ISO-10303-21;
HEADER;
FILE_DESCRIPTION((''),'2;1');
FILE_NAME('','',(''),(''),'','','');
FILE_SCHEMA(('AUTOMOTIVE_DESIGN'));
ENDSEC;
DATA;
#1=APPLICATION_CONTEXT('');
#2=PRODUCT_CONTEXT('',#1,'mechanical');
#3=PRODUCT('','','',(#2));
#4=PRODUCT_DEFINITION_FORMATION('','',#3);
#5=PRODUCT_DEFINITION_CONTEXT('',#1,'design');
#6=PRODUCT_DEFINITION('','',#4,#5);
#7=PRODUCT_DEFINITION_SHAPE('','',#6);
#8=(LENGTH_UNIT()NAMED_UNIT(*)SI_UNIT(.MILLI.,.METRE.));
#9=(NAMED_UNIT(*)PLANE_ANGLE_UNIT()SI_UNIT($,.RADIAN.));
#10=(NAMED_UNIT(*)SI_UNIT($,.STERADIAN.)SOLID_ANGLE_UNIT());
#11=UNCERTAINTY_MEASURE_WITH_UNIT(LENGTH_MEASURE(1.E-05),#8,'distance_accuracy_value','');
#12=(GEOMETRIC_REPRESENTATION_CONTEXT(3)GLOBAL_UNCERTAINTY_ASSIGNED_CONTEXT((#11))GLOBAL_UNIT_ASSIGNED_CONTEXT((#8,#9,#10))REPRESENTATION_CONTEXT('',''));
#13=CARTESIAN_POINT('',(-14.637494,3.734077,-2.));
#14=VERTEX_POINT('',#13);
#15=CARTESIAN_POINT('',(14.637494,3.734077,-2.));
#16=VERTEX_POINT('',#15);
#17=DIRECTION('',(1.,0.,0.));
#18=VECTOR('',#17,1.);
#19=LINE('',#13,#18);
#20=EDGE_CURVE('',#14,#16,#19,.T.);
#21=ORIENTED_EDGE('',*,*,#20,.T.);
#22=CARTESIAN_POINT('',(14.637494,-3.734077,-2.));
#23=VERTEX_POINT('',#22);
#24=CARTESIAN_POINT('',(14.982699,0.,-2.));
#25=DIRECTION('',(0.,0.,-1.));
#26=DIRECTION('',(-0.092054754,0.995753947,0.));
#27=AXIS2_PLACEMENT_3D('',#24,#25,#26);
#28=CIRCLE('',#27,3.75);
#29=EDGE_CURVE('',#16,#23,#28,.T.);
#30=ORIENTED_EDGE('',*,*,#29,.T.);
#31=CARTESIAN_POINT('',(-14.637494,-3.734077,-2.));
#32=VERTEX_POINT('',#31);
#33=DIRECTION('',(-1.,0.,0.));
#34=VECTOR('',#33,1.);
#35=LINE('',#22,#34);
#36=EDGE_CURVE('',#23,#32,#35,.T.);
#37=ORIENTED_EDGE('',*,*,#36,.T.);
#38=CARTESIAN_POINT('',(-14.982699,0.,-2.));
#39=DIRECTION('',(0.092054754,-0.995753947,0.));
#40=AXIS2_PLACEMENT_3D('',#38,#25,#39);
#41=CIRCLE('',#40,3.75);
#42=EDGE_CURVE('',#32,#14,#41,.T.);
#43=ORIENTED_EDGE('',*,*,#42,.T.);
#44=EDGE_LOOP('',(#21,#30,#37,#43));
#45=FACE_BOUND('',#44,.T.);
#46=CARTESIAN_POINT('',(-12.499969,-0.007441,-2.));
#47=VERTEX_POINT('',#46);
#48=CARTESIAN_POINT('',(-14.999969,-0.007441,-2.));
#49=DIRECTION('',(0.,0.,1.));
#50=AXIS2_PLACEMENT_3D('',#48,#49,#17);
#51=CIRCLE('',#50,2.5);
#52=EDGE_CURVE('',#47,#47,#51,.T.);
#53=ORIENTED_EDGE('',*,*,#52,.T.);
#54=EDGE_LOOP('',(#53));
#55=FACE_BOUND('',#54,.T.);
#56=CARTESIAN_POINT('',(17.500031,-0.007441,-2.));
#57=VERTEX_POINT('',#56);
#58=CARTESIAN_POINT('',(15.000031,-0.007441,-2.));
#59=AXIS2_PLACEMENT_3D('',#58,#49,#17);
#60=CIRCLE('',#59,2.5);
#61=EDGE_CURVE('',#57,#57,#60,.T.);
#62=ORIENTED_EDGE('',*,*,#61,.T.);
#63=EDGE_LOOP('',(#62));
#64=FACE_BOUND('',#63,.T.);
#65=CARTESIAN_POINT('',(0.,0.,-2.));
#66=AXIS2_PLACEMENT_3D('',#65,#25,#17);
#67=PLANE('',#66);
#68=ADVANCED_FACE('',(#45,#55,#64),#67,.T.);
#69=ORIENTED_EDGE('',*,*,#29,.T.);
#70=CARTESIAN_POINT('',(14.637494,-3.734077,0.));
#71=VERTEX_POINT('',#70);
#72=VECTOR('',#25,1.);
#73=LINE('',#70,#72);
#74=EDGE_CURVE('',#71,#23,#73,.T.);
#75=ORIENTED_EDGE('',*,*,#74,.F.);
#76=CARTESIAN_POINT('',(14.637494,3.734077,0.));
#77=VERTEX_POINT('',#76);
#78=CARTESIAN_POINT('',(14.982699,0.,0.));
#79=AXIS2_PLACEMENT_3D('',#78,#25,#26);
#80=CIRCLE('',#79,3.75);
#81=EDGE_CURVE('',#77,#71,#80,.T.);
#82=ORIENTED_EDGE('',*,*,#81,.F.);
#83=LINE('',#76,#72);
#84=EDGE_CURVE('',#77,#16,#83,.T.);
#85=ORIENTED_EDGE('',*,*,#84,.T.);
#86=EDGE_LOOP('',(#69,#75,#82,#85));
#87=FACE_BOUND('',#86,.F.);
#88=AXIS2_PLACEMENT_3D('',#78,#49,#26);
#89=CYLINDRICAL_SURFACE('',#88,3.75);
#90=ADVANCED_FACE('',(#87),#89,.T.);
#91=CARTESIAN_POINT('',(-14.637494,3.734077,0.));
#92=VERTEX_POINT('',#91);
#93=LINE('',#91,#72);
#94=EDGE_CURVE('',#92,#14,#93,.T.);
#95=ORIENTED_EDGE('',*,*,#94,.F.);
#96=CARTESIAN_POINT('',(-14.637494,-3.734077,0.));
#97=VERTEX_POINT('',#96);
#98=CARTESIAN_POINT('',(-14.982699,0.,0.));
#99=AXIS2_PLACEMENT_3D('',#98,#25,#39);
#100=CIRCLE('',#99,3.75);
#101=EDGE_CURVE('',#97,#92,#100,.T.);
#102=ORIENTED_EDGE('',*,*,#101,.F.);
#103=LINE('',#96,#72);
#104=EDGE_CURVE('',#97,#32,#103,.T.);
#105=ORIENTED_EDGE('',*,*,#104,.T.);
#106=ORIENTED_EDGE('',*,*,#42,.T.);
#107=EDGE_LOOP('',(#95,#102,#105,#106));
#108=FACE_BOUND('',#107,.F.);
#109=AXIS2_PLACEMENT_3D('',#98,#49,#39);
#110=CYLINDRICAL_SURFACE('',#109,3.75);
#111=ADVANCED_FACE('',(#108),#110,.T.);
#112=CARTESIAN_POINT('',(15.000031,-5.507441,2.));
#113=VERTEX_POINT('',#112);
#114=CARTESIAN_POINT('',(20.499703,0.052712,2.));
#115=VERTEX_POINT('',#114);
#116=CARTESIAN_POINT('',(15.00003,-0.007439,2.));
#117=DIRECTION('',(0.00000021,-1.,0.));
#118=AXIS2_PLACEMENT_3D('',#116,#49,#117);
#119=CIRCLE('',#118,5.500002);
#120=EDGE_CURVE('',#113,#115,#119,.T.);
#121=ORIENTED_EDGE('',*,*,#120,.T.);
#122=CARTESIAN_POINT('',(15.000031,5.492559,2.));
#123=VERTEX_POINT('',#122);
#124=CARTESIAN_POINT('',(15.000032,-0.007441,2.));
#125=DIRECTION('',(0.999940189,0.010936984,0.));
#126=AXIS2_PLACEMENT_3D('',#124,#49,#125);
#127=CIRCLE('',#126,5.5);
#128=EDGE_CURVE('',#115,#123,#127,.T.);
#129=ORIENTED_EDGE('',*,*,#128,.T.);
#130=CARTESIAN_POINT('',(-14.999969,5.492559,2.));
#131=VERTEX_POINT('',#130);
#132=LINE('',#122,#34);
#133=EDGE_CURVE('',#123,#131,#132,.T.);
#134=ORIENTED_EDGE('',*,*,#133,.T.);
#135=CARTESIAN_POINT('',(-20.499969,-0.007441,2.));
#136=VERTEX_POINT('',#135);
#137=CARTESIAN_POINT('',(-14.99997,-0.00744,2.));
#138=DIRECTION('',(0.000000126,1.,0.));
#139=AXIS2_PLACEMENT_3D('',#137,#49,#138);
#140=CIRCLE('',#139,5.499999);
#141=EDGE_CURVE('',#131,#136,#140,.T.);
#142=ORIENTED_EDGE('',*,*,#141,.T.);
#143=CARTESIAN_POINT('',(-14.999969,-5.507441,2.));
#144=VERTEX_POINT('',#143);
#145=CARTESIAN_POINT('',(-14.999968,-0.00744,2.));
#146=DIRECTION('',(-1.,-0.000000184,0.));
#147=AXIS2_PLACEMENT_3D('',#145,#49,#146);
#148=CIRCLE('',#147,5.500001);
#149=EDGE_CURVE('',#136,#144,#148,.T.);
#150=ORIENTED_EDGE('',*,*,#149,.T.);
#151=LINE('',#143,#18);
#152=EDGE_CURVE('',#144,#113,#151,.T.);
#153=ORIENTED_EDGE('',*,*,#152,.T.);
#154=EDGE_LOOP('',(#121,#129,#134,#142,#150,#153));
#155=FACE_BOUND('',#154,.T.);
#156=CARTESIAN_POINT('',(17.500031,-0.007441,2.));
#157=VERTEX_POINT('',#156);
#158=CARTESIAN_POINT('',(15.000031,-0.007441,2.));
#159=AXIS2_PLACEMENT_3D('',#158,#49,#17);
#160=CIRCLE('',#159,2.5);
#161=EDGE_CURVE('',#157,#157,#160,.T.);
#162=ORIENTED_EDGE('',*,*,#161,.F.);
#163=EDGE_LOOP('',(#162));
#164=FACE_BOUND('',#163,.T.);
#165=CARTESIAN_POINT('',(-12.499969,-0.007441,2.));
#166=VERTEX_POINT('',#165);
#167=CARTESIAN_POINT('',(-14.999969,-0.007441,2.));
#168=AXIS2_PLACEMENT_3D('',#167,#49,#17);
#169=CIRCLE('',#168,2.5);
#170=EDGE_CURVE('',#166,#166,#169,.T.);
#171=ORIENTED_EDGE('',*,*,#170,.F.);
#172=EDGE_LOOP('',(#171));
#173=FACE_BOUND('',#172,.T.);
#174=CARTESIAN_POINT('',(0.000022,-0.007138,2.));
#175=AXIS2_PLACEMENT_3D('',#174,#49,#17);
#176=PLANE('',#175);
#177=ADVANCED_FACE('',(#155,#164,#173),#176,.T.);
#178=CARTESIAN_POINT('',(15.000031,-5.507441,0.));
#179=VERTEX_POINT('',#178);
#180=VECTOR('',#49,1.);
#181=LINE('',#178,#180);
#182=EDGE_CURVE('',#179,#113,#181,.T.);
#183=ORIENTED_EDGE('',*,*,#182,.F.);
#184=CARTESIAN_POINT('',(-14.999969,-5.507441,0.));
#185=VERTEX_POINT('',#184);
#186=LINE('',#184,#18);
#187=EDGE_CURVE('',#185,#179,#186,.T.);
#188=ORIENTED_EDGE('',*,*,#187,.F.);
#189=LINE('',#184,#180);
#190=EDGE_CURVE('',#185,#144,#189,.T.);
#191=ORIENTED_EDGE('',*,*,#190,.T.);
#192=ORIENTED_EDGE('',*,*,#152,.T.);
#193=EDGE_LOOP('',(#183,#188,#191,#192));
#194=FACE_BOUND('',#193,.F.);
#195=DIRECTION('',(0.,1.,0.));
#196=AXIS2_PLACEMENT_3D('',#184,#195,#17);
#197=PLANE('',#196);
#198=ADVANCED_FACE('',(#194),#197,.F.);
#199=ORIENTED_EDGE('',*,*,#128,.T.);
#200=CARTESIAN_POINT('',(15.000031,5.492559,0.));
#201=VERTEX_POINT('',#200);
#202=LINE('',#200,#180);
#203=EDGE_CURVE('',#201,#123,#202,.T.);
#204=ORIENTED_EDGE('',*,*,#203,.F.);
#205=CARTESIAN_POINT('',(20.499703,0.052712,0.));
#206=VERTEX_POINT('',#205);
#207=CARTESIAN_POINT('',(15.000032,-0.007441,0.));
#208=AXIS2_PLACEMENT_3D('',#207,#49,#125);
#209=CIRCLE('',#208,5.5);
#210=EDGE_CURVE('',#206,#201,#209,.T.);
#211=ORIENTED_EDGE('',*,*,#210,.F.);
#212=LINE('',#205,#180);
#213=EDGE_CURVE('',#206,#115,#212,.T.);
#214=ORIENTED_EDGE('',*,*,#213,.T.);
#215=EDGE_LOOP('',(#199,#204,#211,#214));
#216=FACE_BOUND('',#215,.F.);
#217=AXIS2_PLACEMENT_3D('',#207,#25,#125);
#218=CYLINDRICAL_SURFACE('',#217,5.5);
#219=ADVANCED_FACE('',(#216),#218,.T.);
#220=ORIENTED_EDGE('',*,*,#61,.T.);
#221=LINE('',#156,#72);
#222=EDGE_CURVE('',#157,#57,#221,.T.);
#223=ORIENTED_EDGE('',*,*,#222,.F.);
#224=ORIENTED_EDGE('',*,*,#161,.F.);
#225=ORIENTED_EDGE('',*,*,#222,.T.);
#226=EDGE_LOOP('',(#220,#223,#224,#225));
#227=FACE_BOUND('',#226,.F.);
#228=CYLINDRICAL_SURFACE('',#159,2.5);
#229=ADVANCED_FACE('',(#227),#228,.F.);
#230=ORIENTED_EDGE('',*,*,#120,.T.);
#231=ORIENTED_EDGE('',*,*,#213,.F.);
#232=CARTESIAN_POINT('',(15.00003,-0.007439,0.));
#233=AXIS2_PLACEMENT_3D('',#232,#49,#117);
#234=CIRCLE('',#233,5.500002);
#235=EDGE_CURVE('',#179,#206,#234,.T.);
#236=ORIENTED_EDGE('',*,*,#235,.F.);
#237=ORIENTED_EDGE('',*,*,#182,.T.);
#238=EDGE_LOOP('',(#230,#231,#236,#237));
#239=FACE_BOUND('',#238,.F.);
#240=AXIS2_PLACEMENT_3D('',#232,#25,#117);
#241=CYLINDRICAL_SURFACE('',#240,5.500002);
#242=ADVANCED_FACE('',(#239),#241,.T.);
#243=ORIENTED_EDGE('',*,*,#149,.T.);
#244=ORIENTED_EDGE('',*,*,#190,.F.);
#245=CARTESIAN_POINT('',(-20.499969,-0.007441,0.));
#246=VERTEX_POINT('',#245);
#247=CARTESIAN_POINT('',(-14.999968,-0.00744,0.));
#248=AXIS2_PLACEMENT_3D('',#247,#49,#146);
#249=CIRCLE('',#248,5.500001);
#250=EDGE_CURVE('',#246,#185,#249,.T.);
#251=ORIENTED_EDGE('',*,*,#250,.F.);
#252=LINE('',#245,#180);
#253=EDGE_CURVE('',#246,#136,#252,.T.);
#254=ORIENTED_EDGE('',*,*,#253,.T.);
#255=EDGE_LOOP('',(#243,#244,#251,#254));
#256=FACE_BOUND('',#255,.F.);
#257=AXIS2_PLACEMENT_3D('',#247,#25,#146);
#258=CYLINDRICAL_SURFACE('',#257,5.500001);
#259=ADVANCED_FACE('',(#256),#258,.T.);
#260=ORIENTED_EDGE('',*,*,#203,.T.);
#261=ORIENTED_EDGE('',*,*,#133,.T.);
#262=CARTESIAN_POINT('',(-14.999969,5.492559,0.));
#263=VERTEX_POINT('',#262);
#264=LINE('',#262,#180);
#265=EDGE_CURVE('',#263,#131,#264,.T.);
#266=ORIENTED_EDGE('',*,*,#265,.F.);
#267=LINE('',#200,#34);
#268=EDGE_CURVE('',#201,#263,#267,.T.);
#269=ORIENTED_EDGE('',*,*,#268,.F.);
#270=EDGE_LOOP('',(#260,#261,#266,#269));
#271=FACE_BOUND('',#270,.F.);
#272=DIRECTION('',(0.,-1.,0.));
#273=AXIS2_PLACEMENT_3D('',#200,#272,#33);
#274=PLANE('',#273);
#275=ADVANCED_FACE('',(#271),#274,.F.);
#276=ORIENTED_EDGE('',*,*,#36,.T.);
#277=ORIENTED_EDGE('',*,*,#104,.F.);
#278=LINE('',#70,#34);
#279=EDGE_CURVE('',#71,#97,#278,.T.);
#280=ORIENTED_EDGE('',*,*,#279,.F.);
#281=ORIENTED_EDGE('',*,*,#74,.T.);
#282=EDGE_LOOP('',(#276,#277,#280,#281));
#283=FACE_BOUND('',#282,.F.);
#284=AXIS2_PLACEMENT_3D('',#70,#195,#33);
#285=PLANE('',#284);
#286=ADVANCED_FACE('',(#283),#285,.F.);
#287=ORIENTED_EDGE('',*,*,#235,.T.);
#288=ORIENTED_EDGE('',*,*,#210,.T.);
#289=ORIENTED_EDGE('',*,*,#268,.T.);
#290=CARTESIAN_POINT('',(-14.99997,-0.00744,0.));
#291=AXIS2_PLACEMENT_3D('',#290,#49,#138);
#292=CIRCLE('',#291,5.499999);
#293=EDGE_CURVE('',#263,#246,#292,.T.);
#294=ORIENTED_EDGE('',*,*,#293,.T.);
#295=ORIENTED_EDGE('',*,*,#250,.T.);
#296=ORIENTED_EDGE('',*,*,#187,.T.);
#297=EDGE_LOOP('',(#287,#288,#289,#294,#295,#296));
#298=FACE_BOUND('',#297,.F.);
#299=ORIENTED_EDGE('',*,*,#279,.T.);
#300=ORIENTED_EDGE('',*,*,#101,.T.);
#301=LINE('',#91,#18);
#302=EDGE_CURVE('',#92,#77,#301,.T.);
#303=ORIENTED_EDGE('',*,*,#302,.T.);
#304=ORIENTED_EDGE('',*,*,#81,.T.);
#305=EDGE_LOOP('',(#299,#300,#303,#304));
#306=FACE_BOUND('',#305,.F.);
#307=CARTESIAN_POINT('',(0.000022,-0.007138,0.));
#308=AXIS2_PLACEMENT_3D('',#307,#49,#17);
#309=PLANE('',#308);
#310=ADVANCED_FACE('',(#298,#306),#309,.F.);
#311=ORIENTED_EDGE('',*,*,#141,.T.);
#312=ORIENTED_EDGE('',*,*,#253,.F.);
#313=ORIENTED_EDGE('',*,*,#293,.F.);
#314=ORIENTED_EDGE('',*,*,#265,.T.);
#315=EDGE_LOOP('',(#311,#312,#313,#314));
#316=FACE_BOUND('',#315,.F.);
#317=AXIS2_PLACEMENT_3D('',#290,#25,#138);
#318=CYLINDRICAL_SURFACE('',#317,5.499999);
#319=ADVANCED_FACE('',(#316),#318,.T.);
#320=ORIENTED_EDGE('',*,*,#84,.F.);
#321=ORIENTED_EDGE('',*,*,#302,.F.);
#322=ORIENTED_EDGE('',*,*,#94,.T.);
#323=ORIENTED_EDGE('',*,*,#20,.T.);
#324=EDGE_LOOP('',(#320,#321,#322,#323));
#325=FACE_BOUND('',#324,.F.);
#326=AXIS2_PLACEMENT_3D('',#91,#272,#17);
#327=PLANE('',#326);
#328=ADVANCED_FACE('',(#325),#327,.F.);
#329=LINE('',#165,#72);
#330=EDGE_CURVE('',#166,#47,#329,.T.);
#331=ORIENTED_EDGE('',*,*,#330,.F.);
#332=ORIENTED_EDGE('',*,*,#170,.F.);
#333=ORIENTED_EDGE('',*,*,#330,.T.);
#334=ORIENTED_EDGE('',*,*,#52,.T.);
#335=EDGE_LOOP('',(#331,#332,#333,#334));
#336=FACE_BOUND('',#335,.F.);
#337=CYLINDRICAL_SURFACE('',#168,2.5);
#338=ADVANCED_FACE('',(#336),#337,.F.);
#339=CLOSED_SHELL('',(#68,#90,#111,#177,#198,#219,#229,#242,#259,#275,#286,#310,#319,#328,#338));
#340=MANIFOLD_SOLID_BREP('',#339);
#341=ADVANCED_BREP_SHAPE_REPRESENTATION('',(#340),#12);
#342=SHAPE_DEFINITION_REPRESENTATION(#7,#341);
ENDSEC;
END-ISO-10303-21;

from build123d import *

# Parameters (mm, degrees)
F1_DEPTH = 2
F3_DEPTH = 2
F4_R     = 2.5
F5_DEPTH = 4.001


with BuildPart() as f1:
    # F0 (on Top) → F1 (new body)
    with BuildSketch(Plane.XY):
        with BuildLine():
            ThreePointArc((20.499703, 0.052712), (18.867793, 3.902856), (15.000031, 5.492559))
            Line((15.000031, 5.492559), (-14.999969, 5.492559))
            ThreePointArc((-14.999969, 5.492559), (-18.889056, 3.881647), (-20.499969, -0.007441))
            ThreePointArc((-20.499969, -0.007441), (-18.889056, -3.896528), (-14.999969, -5.507441))
            Line((-14.999969, -5.507441), (15.000031, -5.507441))
            ThreePointArc((15.000031, -5.507441), (18.910328, -3.875202), (20.499703, 0.052712))
        make_face()
    extrude(amount=F1_DEPTH)

    # F2 (on face) → F3 (join)
    with BuildSketch(Plane(origin=(0, 0, 0), x_dir=(1, 0, 0), z_dir=(0, 0, -1))):
        with BuildLine():
            Line((14.637494, 3.734077), (-14.637494, 3.734077))
            ThreePointArc((-14.637494, 3.734077), (-18.732699, 0), (-14.637494, -3.734077))
            Line((-14.637494, -3.734077), (14.637494, -3.734077))
            ThreePointArc((14.637494, -3.734077), (18.732699, 0), (14.637494, 3.734077))
        make_face()
    extrude(amount=F3_DEPTH)

    # F4 (on face) → F5 (cut, through all)
    with BuildSketch(Plane.XY.offset(2)):
        with Locations((-14.999969, -0.007441)):
            Circle(F4_R)
        with Locations((15.000031, -0.007441)):
            Circle(F4_R)
    extrude(amount=-F5_DEPTH, mode=Mode.SUBTRACT)


solid = f1.part
